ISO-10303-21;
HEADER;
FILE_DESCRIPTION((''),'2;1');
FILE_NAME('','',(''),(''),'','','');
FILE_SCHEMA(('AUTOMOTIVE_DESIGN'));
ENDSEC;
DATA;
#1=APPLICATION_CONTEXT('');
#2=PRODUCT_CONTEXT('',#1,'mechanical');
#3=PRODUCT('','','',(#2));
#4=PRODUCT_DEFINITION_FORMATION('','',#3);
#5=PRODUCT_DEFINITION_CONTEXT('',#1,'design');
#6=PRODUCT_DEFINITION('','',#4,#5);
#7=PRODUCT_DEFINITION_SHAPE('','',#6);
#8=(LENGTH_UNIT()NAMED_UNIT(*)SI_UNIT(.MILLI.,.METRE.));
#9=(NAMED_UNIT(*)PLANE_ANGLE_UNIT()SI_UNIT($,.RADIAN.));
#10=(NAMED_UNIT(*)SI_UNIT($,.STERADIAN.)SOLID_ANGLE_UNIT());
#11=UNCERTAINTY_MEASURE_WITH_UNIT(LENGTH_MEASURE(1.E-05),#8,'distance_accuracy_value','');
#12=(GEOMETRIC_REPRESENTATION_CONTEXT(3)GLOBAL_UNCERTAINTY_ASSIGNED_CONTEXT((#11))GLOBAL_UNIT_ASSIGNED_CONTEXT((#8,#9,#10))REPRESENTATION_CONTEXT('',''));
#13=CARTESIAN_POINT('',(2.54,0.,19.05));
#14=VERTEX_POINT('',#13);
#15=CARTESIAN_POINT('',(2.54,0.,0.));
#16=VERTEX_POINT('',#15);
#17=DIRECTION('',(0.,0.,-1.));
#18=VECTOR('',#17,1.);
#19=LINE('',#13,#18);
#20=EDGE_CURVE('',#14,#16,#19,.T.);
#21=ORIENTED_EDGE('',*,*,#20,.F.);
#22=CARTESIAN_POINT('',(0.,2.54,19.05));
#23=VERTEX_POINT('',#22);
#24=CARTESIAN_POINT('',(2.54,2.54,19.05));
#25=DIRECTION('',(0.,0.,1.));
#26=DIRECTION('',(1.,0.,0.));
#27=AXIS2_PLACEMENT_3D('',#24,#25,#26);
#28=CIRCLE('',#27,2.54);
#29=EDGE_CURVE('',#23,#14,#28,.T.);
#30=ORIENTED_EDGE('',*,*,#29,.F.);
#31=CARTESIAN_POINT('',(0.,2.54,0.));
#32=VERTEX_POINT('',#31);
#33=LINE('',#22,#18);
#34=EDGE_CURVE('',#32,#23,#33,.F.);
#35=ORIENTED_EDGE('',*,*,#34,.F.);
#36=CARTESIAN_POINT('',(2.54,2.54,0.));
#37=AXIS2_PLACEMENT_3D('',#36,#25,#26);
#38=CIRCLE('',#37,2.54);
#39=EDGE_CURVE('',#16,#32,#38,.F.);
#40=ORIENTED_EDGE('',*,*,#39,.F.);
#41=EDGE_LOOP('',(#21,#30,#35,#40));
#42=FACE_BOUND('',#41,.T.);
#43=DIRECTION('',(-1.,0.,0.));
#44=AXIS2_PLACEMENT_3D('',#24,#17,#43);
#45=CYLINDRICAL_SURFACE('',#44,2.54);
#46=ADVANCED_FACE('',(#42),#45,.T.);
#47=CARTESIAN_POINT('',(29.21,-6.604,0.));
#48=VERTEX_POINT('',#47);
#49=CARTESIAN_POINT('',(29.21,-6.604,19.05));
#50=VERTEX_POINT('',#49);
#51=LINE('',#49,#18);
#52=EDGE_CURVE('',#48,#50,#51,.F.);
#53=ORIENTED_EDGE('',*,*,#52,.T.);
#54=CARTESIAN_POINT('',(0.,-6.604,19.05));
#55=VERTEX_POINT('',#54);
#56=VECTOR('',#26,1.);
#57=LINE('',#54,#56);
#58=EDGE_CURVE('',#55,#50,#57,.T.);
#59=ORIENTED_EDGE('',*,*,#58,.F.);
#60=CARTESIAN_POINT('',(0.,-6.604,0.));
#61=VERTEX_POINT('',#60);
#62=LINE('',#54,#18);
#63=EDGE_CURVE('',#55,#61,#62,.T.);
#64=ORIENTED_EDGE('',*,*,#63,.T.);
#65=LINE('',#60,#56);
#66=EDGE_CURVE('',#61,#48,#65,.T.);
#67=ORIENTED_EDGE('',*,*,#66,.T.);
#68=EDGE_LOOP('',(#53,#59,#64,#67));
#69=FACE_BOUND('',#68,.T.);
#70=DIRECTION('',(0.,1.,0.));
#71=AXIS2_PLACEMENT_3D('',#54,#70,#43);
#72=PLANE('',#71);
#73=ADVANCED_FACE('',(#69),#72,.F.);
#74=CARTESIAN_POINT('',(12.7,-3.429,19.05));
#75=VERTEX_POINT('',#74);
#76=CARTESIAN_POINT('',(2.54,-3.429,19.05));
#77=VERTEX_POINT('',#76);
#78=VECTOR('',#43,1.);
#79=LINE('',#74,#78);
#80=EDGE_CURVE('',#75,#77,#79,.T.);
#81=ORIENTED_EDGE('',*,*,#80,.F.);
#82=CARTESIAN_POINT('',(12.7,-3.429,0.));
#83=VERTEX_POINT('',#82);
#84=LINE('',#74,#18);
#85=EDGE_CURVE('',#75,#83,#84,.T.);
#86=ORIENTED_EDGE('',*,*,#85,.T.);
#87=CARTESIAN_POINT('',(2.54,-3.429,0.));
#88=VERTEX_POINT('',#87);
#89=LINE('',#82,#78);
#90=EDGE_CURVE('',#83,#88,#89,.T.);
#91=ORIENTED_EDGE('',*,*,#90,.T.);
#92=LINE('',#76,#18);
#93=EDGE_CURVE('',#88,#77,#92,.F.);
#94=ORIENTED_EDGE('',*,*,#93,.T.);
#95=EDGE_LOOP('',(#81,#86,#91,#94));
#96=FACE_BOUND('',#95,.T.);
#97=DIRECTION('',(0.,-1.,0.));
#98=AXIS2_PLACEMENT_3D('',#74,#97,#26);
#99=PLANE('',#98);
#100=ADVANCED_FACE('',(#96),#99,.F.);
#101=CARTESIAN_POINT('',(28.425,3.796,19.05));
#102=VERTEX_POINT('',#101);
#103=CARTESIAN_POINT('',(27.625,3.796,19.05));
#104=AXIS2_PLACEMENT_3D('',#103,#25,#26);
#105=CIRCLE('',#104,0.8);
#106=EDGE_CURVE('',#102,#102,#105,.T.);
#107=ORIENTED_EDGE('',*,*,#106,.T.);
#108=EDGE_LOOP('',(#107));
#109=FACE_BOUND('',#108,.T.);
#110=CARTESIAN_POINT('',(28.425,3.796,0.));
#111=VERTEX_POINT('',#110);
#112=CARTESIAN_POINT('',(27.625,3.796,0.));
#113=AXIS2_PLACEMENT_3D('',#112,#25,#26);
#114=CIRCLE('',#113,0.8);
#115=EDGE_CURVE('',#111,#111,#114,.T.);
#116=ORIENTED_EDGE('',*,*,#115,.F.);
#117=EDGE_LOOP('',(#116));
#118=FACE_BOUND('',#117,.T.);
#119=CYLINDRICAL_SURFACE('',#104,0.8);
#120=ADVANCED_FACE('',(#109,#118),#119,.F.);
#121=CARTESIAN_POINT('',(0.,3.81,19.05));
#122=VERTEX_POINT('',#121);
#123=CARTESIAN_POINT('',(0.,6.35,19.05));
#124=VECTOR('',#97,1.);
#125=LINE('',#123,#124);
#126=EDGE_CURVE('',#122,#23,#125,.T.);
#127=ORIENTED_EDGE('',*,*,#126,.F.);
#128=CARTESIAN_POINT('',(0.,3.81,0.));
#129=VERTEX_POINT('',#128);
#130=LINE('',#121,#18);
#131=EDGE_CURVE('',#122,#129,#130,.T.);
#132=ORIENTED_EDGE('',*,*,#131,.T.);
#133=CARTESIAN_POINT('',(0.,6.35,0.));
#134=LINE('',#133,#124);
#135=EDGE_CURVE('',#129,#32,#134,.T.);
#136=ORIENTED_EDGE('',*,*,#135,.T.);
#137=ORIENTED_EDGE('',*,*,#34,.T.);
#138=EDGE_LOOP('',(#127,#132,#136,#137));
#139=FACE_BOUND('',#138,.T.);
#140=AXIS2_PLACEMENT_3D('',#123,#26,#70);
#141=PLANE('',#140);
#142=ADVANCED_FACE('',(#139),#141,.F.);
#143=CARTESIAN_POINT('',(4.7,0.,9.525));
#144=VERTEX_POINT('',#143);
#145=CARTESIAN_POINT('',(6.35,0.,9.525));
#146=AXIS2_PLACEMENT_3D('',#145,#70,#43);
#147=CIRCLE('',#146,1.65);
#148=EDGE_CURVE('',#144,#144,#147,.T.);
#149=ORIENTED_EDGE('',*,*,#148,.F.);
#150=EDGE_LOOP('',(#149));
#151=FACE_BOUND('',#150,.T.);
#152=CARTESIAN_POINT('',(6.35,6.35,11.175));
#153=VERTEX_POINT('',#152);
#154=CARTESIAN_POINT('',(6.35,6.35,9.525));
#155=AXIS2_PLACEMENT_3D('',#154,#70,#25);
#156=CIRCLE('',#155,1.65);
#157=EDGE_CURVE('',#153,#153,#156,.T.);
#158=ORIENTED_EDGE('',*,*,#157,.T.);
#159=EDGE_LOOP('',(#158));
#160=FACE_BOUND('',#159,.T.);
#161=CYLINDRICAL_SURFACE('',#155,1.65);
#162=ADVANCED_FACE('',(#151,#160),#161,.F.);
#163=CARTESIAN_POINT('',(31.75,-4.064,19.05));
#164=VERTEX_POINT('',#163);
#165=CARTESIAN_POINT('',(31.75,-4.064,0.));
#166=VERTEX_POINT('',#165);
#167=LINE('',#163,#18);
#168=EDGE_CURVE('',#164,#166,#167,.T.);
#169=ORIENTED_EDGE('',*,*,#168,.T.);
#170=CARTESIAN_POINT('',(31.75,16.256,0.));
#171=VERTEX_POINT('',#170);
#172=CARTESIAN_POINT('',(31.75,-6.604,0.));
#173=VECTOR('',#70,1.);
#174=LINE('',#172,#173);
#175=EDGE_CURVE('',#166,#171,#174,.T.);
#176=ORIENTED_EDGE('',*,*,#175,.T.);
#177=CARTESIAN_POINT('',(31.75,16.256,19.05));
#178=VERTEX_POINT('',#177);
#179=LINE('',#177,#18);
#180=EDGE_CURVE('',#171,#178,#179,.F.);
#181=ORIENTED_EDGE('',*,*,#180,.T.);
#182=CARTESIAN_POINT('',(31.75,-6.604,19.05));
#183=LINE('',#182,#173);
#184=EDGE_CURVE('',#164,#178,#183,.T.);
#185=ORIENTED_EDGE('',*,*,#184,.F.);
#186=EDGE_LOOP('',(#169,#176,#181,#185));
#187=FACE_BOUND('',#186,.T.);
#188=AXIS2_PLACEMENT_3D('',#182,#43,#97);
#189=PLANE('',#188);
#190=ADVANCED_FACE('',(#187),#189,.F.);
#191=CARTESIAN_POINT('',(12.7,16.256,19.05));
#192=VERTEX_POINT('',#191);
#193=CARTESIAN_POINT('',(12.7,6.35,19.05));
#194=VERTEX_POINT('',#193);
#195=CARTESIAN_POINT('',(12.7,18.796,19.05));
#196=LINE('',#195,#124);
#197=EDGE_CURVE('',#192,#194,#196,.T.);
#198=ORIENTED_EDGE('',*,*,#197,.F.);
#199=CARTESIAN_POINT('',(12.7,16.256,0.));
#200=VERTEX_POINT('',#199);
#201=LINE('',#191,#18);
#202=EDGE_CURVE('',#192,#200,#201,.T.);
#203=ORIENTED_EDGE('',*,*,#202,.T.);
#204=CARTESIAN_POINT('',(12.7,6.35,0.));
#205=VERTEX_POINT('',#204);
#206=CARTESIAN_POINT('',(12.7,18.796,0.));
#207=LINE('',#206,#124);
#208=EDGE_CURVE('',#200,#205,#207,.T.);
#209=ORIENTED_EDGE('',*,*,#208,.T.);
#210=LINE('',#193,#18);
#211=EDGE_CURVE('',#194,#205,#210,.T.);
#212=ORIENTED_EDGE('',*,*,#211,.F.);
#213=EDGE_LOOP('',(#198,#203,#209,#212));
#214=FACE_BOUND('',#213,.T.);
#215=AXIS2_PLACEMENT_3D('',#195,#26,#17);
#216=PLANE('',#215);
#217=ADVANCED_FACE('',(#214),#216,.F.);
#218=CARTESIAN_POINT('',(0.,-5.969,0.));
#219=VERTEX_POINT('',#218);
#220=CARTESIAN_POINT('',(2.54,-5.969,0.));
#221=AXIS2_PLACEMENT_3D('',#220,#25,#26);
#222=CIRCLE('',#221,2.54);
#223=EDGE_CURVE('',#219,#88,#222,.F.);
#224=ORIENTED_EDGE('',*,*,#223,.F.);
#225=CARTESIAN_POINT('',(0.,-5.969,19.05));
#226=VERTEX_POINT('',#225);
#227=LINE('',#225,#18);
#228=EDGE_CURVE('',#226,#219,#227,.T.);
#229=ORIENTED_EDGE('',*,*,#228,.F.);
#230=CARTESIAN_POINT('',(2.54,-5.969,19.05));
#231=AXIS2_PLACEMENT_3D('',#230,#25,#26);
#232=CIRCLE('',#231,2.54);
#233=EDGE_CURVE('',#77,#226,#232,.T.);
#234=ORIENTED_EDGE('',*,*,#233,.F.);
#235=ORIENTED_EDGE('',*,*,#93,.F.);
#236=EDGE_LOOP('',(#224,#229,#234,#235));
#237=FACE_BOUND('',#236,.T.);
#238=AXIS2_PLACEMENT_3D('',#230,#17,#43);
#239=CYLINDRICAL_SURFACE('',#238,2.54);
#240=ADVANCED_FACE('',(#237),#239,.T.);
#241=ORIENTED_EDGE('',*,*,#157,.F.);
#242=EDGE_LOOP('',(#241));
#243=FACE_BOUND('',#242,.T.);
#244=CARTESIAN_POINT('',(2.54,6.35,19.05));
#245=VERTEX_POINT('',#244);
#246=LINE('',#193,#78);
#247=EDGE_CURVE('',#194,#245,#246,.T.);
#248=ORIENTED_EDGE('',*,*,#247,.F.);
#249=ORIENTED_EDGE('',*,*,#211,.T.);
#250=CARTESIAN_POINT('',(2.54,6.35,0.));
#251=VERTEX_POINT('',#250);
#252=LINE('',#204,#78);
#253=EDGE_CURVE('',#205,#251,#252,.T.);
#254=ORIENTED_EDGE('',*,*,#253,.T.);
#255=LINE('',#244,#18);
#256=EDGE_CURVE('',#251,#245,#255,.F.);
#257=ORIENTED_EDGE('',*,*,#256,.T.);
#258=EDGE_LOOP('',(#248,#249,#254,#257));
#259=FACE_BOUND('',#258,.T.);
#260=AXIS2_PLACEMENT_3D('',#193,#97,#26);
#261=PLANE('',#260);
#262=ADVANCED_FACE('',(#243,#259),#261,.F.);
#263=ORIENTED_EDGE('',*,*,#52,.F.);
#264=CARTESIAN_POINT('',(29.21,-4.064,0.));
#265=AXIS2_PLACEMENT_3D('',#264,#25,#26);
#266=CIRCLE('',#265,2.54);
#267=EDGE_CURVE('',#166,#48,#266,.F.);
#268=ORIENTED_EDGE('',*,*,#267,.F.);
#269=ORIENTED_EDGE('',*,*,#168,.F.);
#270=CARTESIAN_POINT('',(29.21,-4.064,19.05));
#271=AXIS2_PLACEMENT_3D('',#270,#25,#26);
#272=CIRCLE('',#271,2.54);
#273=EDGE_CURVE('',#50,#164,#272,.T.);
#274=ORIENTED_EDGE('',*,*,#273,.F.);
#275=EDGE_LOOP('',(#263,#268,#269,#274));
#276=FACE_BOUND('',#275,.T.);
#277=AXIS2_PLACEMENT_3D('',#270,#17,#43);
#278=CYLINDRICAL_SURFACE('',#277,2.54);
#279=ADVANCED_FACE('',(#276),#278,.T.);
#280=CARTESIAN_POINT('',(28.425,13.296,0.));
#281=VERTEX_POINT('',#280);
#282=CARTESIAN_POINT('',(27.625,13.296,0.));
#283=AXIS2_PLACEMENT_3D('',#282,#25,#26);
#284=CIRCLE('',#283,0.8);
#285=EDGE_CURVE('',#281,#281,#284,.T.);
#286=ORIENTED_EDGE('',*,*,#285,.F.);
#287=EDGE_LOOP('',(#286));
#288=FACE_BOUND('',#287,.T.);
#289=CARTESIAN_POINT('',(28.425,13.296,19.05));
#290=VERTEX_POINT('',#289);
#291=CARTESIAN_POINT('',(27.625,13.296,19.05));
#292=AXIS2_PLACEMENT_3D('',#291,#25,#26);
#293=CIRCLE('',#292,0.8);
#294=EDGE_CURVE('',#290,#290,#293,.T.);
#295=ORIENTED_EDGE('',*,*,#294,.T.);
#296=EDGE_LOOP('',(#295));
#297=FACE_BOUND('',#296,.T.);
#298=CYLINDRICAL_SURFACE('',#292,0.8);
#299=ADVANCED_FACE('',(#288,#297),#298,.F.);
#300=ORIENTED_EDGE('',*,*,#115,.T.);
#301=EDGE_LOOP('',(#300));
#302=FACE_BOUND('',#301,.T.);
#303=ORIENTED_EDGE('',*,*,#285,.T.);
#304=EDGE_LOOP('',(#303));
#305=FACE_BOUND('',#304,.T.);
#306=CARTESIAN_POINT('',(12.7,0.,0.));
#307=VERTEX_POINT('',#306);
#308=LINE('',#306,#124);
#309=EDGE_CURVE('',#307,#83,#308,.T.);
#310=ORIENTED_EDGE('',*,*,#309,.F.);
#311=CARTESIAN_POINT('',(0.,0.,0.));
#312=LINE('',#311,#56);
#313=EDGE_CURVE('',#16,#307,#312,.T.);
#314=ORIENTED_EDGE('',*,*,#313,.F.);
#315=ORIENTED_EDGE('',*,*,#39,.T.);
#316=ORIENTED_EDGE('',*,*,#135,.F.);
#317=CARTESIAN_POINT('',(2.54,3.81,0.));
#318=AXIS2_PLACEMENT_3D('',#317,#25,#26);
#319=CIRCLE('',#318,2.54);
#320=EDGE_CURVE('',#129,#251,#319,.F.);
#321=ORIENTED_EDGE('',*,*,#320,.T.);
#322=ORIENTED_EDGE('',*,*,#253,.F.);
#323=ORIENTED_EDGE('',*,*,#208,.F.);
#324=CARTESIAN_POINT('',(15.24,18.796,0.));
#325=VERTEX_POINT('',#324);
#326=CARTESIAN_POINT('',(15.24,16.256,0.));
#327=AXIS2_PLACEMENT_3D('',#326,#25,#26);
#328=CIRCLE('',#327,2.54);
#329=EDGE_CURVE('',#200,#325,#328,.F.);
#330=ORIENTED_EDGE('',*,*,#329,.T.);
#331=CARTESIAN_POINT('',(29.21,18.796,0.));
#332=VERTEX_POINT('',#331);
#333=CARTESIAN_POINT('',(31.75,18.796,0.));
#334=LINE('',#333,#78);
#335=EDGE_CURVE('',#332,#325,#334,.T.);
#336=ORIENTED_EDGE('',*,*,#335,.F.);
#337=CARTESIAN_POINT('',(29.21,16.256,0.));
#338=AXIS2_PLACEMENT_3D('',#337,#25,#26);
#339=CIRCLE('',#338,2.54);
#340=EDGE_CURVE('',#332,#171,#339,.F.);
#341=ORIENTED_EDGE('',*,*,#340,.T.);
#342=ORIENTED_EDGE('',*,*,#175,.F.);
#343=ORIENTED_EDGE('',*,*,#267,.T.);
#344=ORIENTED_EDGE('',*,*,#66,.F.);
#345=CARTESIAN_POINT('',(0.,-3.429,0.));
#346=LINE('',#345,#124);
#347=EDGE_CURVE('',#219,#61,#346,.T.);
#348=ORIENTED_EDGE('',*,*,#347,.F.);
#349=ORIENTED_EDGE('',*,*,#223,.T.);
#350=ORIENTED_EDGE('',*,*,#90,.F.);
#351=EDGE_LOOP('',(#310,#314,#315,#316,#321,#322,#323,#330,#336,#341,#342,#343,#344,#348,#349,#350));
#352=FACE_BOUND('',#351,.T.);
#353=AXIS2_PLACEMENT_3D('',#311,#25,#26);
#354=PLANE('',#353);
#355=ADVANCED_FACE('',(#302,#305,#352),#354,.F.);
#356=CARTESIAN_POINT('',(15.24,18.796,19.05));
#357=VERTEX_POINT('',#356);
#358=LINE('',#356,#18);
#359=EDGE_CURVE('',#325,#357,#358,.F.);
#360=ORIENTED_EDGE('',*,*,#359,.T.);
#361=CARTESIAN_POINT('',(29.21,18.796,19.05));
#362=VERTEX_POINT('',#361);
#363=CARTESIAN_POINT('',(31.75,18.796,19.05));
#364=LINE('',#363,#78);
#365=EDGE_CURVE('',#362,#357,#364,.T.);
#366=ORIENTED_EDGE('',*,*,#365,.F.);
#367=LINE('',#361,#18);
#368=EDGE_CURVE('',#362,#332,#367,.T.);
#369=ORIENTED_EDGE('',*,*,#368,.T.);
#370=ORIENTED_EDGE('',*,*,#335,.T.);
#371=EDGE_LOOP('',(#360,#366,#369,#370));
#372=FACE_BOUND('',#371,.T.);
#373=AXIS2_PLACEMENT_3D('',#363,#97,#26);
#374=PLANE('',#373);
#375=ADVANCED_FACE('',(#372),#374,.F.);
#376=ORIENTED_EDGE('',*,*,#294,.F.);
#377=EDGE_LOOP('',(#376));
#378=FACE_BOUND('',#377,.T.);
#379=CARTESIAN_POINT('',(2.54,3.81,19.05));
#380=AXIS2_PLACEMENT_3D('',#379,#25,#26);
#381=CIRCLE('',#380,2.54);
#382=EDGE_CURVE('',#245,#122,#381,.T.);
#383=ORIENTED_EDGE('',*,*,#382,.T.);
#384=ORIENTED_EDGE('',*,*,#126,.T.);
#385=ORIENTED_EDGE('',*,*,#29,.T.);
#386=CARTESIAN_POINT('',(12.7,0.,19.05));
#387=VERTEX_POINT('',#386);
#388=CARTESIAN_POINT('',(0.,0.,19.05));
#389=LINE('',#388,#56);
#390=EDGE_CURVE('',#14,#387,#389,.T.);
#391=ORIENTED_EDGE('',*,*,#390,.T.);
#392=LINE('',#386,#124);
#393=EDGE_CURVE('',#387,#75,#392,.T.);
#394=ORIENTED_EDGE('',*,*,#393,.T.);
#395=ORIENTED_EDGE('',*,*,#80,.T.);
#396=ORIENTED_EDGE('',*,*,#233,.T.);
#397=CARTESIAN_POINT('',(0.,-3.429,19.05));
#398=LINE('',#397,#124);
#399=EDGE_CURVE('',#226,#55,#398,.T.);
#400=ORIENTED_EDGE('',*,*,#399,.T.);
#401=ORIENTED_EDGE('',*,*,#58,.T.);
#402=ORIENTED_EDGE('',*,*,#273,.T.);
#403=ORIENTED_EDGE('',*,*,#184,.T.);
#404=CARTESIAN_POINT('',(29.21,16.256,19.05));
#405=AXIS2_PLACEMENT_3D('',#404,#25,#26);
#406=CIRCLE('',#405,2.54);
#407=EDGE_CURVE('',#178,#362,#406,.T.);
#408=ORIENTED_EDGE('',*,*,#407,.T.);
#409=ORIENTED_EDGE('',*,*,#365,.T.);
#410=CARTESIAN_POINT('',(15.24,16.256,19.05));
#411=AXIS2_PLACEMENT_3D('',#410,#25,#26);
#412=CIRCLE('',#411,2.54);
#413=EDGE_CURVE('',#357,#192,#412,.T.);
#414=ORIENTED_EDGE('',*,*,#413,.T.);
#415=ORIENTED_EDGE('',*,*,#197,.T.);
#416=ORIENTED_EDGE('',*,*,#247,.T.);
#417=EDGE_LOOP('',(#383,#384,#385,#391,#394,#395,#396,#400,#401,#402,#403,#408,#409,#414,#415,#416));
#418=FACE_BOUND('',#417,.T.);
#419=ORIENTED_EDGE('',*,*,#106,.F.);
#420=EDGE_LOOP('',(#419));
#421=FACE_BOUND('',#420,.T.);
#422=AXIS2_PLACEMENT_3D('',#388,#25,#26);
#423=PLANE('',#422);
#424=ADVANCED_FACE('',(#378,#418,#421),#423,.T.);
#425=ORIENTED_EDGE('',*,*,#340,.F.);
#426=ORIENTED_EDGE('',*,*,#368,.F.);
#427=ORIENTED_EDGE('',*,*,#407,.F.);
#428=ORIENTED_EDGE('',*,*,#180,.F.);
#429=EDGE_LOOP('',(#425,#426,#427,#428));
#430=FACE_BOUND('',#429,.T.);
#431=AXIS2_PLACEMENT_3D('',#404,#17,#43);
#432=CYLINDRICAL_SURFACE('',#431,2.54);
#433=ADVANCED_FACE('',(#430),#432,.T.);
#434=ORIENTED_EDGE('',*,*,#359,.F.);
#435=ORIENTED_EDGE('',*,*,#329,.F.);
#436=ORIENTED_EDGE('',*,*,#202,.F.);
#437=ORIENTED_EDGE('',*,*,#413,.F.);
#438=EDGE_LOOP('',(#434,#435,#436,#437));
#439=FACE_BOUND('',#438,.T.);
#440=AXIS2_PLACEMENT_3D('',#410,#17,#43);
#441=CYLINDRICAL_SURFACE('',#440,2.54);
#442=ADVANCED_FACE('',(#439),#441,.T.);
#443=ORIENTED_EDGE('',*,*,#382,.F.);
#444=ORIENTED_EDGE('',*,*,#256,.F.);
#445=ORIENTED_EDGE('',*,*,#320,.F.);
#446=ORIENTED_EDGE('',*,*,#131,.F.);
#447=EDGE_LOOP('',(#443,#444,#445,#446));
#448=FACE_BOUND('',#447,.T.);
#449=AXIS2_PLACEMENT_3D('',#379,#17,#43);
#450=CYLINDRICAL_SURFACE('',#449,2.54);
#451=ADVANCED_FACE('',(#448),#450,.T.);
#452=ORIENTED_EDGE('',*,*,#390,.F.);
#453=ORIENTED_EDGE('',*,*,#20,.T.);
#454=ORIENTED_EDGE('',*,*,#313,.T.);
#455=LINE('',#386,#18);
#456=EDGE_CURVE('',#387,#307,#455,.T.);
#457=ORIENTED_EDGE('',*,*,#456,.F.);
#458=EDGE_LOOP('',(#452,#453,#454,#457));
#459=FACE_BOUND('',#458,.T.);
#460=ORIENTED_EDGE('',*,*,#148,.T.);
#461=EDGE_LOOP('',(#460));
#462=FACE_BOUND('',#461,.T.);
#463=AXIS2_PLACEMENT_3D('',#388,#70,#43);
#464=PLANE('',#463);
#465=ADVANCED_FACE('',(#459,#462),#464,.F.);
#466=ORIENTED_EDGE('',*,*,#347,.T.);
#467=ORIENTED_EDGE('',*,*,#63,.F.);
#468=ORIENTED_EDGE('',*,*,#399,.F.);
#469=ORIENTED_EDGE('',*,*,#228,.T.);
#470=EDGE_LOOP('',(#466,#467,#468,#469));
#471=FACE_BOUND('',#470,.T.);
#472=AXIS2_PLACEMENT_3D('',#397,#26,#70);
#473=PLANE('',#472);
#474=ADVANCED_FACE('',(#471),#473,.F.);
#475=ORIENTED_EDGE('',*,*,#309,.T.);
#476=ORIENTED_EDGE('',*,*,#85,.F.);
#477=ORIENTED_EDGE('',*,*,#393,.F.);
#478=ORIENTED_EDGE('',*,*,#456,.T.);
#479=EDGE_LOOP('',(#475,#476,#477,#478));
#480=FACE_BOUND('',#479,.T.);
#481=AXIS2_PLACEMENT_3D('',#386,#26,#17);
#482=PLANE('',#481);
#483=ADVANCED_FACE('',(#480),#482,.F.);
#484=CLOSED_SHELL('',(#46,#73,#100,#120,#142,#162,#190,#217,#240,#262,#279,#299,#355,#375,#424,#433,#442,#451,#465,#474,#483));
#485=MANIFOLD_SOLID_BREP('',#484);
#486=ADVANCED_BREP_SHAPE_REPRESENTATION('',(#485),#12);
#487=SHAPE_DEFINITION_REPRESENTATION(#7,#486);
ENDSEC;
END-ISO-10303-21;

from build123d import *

# Parameters (mm, degrees)
BOSS_EXTRUDE1_DEPTH       = 19.05
M4X0_7_TAPPED_HOLE1_D     = 3.3
M4X0_7_TAPPED_HOLE1_DEPTH = 6.35
M2X0_4_TAPPED_HOLE1_D     = 1.6
M2X0_4_TAPPED_HOLE1_DEPTH = 19.05
FILLET1_R                 = 2.54


with BuildPart() as part:
    # Sketch1 → Boss-Extrude1 (new body)
    with BuildSketch(Plane.XY):
        Polygon((0, 0), (12.7, 0), (12.7, -3.429), (0, -3.429), (0, -6.604), (31.75, -6.604), (31.75, 18.796), (12.7, 18.796), (12.7, 6.35), (0, 6.35), align=None)
    extrude(amount=BOSS_EXTRUDE1_DEPTH)

    # M4x0.7 Tapped Hole1
    with Locations(Plane(origin=(0, 6.35, 0), x_dir=(1, 0, 0), z_dir=(0, 1, 0))):
        with Locations((6.35, -9.525)):
            Hole(M4X0_7_TAPPED_HOLE1_D / 2, depth=M4X0_7_TAPPED_HOLE1_DEPTH)

    # M2x0.4 Tapped Hole1
    with Locations(Plane.XY.offset(19.05)):
        with Locations((27.625, 13.296), (27.625, 3.796)):
            Hole(M2X0_4_TAPPED_HOLE1_D / 2, depth=M2X0_4_TAPPED_HOLE1_DEPTH)

    # Fillet1
    fillet1_edges = [part.edges().sort_by_distance(p)[0] for p in [
        (0, 6.35, 9.525),
        (12.7, 18.796, 9.525),
        (31.75, 18.796, 9.525),
        (31.75, -6.604, 9.525),
        (0, -3.429, 9.525),
        (0, 0, 9.525),
    ]]
    fillet(fillet1_edges, radius=FILLET1_R)


solid = part.part
